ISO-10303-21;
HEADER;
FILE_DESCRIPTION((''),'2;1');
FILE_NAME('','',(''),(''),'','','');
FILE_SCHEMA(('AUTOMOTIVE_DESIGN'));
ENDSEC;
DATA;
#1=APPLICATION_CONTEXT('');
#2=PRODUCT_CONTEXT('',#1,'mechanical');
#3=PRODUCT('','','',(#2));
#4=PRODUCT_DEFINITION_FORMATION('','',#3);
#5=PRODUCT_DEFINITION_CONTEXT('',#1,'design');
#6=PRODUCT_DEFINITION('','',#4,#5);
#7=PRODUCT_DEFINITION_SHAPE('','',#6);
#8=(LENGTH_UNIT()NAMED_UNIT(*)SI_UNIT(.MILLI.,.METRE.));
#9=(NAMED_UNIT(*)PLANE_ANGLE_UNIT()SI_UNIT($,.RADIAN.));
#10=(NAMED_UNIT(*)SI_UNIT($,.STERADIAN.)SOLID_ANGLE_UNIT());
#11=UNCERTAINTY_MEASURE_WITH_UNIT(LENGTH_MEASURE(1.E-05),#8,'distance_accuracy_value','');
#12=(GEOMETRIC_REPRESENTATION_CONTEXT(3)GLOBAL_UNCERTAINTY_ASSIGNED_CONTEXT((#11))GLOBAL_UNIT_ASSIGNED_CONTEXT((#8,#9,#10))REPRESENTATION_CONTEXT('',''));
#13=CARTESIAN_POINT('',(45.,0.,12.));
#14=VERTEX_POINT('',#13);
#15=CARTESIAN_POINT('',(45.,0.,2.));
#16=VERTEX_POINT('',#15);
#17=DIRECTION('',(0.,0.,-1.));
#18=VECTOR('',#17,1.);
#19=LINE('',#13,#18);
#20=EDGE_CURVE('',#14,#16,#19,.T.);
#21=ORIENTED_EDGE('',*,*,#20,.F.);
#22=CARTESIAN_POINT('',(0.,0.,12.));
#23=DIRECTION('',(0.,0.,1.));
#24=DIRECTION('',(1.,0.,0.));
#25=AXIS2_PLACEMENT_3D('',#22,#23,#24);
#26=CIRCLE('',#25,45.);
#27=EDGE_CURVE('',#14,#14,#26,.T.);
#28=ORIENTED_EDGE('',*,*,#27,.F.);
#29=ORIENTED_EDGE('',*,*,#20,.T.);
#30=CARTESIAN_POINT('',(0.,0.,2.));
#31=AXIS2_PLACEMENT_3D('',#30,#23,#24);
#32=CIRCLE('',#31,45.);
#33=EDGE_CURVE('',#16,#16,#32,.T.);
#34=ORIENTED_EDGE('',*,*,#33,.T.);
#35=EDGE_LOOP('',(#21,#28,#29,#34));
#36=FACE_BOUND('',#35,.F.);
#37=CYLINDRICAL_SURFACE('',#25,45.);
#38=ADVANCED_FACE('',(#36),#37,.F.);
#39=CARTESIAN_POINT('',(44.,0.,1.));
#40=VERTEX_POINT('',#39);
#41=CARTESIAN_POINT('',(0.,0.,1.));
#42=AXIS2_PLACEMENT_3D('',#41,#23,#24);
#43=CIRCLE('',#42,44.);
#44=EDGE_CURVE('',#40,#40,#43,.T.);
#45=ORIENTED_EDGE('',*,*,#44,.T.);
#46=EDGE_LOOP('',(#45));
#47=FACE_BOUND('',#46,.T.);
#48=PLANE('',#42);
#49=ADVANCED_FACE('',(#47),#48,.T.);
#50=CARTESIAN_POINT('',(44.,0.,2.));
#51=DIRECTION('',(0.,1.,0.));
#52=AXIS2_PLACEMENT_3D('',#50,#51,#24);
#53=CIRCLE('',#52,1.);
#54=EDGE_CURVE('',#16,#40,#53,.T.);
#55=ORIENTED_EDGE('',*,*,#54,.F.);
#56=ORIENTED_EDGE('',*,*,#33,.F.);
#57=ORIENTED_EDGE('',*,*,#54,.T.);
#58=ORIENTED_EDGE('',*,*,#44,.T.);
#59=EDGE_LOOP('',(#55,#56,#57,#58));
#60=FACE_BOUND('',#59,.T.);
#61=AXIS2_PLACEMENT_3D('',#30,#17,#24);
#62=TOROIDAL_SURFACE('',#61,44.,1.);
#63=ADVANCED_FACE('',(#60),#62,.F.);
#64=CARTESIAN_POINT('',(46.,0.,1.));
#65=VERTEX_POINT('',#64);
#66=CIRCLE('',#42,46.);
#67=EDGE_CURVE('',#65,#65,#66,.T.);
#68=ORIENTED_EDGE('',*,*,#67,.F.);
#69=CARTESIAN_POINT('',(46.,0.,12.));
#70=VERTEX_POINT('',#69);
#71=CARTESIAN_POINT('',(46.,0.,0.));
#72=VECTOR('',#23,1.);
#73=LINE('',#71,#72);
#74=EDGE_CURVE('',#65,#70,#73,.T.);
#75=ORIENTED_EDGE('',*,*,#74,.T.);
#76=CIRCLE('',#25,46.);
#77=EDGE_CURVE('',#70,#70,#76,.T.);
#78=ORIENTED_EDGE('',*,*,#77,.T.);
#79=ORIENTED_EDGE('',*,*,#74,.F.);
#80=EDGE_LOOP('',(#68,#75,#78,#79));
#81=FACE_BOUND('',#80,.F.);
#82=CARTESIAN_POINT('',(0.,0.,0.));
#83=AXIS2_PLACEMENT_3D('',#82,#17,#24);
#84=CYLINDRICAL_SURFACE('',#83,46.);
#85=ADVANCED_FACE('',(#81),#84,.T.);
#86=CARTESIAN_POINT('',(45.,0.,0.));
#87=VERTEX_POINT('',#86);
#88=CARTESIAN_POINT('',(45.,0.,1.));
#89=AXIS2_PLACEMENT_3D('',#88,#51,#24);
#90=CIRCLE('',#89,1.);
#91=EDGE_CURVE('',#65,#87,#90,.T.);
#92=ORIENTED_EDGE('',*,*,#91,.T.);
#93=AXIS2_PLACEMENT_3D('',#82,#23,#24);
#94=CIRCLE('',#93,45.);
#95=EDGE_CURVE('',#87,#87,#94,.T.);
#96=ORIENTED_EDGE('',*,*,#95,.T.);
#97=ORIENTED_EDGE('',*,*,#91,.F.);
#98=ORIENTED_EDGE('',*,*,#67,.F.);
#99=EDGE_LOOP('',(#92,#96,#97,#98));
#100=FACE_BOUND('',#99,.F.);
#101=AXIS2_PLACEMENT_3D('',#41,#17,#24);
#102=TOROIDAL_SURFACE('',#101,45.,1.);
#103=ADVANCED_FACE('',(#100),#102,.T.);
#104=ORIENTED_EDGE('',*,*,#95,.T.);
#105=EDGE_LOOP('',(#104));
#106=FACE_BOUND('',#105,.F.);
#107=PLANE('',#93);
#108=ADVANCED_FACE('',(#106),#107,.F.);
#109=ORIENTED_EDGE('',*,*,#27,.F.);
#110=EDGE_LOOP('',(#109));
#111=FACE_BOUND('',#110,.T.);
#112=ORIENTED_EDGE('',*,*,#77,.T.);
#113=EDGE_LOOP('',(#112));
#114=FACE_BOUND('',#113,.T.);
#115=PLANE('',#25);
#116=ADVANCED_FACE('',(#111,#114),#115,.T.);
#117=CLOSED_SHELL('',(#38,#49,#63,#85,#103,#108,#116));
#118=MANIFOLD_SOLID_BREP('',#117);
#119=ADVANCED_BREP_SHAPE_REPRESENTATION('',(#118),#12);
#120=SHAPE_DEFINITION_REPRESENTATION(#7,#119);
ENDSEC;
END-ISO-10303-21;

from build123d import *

# Parameters (mm, degrees)
SKETCH_R     = 46
PAD_DEPTH    = 12
SKETCH001_R  = 45
POCKET_DEPTH = 11
FILLET_R     = 1


with BuildPart() as part:
    # Sketch → Pad (new body)
    with BuildSketch(Plane.XY):
        Circle(SKETCH_R)
    extrude(amount=PAD_DEPTH)

    # Sketch001 (on Face3 of Pad) → Pocket (cut)
    with BuildSketch(Plane.XY.offset(12)):
        Circle(SKETCH001_R)
    extrude(amount=-POCKET_DEPTH, mode=Mode.SUBTRACT)

    # Fillet
    fillet_edges = [part.edges().sort_by_distance(p)[0] for p in [
        (-46, 0, 0),
        (-45, 0, 1),
    ]]
    fillet(fillet_edges, radius=FILLET_R)


solid = part.part
